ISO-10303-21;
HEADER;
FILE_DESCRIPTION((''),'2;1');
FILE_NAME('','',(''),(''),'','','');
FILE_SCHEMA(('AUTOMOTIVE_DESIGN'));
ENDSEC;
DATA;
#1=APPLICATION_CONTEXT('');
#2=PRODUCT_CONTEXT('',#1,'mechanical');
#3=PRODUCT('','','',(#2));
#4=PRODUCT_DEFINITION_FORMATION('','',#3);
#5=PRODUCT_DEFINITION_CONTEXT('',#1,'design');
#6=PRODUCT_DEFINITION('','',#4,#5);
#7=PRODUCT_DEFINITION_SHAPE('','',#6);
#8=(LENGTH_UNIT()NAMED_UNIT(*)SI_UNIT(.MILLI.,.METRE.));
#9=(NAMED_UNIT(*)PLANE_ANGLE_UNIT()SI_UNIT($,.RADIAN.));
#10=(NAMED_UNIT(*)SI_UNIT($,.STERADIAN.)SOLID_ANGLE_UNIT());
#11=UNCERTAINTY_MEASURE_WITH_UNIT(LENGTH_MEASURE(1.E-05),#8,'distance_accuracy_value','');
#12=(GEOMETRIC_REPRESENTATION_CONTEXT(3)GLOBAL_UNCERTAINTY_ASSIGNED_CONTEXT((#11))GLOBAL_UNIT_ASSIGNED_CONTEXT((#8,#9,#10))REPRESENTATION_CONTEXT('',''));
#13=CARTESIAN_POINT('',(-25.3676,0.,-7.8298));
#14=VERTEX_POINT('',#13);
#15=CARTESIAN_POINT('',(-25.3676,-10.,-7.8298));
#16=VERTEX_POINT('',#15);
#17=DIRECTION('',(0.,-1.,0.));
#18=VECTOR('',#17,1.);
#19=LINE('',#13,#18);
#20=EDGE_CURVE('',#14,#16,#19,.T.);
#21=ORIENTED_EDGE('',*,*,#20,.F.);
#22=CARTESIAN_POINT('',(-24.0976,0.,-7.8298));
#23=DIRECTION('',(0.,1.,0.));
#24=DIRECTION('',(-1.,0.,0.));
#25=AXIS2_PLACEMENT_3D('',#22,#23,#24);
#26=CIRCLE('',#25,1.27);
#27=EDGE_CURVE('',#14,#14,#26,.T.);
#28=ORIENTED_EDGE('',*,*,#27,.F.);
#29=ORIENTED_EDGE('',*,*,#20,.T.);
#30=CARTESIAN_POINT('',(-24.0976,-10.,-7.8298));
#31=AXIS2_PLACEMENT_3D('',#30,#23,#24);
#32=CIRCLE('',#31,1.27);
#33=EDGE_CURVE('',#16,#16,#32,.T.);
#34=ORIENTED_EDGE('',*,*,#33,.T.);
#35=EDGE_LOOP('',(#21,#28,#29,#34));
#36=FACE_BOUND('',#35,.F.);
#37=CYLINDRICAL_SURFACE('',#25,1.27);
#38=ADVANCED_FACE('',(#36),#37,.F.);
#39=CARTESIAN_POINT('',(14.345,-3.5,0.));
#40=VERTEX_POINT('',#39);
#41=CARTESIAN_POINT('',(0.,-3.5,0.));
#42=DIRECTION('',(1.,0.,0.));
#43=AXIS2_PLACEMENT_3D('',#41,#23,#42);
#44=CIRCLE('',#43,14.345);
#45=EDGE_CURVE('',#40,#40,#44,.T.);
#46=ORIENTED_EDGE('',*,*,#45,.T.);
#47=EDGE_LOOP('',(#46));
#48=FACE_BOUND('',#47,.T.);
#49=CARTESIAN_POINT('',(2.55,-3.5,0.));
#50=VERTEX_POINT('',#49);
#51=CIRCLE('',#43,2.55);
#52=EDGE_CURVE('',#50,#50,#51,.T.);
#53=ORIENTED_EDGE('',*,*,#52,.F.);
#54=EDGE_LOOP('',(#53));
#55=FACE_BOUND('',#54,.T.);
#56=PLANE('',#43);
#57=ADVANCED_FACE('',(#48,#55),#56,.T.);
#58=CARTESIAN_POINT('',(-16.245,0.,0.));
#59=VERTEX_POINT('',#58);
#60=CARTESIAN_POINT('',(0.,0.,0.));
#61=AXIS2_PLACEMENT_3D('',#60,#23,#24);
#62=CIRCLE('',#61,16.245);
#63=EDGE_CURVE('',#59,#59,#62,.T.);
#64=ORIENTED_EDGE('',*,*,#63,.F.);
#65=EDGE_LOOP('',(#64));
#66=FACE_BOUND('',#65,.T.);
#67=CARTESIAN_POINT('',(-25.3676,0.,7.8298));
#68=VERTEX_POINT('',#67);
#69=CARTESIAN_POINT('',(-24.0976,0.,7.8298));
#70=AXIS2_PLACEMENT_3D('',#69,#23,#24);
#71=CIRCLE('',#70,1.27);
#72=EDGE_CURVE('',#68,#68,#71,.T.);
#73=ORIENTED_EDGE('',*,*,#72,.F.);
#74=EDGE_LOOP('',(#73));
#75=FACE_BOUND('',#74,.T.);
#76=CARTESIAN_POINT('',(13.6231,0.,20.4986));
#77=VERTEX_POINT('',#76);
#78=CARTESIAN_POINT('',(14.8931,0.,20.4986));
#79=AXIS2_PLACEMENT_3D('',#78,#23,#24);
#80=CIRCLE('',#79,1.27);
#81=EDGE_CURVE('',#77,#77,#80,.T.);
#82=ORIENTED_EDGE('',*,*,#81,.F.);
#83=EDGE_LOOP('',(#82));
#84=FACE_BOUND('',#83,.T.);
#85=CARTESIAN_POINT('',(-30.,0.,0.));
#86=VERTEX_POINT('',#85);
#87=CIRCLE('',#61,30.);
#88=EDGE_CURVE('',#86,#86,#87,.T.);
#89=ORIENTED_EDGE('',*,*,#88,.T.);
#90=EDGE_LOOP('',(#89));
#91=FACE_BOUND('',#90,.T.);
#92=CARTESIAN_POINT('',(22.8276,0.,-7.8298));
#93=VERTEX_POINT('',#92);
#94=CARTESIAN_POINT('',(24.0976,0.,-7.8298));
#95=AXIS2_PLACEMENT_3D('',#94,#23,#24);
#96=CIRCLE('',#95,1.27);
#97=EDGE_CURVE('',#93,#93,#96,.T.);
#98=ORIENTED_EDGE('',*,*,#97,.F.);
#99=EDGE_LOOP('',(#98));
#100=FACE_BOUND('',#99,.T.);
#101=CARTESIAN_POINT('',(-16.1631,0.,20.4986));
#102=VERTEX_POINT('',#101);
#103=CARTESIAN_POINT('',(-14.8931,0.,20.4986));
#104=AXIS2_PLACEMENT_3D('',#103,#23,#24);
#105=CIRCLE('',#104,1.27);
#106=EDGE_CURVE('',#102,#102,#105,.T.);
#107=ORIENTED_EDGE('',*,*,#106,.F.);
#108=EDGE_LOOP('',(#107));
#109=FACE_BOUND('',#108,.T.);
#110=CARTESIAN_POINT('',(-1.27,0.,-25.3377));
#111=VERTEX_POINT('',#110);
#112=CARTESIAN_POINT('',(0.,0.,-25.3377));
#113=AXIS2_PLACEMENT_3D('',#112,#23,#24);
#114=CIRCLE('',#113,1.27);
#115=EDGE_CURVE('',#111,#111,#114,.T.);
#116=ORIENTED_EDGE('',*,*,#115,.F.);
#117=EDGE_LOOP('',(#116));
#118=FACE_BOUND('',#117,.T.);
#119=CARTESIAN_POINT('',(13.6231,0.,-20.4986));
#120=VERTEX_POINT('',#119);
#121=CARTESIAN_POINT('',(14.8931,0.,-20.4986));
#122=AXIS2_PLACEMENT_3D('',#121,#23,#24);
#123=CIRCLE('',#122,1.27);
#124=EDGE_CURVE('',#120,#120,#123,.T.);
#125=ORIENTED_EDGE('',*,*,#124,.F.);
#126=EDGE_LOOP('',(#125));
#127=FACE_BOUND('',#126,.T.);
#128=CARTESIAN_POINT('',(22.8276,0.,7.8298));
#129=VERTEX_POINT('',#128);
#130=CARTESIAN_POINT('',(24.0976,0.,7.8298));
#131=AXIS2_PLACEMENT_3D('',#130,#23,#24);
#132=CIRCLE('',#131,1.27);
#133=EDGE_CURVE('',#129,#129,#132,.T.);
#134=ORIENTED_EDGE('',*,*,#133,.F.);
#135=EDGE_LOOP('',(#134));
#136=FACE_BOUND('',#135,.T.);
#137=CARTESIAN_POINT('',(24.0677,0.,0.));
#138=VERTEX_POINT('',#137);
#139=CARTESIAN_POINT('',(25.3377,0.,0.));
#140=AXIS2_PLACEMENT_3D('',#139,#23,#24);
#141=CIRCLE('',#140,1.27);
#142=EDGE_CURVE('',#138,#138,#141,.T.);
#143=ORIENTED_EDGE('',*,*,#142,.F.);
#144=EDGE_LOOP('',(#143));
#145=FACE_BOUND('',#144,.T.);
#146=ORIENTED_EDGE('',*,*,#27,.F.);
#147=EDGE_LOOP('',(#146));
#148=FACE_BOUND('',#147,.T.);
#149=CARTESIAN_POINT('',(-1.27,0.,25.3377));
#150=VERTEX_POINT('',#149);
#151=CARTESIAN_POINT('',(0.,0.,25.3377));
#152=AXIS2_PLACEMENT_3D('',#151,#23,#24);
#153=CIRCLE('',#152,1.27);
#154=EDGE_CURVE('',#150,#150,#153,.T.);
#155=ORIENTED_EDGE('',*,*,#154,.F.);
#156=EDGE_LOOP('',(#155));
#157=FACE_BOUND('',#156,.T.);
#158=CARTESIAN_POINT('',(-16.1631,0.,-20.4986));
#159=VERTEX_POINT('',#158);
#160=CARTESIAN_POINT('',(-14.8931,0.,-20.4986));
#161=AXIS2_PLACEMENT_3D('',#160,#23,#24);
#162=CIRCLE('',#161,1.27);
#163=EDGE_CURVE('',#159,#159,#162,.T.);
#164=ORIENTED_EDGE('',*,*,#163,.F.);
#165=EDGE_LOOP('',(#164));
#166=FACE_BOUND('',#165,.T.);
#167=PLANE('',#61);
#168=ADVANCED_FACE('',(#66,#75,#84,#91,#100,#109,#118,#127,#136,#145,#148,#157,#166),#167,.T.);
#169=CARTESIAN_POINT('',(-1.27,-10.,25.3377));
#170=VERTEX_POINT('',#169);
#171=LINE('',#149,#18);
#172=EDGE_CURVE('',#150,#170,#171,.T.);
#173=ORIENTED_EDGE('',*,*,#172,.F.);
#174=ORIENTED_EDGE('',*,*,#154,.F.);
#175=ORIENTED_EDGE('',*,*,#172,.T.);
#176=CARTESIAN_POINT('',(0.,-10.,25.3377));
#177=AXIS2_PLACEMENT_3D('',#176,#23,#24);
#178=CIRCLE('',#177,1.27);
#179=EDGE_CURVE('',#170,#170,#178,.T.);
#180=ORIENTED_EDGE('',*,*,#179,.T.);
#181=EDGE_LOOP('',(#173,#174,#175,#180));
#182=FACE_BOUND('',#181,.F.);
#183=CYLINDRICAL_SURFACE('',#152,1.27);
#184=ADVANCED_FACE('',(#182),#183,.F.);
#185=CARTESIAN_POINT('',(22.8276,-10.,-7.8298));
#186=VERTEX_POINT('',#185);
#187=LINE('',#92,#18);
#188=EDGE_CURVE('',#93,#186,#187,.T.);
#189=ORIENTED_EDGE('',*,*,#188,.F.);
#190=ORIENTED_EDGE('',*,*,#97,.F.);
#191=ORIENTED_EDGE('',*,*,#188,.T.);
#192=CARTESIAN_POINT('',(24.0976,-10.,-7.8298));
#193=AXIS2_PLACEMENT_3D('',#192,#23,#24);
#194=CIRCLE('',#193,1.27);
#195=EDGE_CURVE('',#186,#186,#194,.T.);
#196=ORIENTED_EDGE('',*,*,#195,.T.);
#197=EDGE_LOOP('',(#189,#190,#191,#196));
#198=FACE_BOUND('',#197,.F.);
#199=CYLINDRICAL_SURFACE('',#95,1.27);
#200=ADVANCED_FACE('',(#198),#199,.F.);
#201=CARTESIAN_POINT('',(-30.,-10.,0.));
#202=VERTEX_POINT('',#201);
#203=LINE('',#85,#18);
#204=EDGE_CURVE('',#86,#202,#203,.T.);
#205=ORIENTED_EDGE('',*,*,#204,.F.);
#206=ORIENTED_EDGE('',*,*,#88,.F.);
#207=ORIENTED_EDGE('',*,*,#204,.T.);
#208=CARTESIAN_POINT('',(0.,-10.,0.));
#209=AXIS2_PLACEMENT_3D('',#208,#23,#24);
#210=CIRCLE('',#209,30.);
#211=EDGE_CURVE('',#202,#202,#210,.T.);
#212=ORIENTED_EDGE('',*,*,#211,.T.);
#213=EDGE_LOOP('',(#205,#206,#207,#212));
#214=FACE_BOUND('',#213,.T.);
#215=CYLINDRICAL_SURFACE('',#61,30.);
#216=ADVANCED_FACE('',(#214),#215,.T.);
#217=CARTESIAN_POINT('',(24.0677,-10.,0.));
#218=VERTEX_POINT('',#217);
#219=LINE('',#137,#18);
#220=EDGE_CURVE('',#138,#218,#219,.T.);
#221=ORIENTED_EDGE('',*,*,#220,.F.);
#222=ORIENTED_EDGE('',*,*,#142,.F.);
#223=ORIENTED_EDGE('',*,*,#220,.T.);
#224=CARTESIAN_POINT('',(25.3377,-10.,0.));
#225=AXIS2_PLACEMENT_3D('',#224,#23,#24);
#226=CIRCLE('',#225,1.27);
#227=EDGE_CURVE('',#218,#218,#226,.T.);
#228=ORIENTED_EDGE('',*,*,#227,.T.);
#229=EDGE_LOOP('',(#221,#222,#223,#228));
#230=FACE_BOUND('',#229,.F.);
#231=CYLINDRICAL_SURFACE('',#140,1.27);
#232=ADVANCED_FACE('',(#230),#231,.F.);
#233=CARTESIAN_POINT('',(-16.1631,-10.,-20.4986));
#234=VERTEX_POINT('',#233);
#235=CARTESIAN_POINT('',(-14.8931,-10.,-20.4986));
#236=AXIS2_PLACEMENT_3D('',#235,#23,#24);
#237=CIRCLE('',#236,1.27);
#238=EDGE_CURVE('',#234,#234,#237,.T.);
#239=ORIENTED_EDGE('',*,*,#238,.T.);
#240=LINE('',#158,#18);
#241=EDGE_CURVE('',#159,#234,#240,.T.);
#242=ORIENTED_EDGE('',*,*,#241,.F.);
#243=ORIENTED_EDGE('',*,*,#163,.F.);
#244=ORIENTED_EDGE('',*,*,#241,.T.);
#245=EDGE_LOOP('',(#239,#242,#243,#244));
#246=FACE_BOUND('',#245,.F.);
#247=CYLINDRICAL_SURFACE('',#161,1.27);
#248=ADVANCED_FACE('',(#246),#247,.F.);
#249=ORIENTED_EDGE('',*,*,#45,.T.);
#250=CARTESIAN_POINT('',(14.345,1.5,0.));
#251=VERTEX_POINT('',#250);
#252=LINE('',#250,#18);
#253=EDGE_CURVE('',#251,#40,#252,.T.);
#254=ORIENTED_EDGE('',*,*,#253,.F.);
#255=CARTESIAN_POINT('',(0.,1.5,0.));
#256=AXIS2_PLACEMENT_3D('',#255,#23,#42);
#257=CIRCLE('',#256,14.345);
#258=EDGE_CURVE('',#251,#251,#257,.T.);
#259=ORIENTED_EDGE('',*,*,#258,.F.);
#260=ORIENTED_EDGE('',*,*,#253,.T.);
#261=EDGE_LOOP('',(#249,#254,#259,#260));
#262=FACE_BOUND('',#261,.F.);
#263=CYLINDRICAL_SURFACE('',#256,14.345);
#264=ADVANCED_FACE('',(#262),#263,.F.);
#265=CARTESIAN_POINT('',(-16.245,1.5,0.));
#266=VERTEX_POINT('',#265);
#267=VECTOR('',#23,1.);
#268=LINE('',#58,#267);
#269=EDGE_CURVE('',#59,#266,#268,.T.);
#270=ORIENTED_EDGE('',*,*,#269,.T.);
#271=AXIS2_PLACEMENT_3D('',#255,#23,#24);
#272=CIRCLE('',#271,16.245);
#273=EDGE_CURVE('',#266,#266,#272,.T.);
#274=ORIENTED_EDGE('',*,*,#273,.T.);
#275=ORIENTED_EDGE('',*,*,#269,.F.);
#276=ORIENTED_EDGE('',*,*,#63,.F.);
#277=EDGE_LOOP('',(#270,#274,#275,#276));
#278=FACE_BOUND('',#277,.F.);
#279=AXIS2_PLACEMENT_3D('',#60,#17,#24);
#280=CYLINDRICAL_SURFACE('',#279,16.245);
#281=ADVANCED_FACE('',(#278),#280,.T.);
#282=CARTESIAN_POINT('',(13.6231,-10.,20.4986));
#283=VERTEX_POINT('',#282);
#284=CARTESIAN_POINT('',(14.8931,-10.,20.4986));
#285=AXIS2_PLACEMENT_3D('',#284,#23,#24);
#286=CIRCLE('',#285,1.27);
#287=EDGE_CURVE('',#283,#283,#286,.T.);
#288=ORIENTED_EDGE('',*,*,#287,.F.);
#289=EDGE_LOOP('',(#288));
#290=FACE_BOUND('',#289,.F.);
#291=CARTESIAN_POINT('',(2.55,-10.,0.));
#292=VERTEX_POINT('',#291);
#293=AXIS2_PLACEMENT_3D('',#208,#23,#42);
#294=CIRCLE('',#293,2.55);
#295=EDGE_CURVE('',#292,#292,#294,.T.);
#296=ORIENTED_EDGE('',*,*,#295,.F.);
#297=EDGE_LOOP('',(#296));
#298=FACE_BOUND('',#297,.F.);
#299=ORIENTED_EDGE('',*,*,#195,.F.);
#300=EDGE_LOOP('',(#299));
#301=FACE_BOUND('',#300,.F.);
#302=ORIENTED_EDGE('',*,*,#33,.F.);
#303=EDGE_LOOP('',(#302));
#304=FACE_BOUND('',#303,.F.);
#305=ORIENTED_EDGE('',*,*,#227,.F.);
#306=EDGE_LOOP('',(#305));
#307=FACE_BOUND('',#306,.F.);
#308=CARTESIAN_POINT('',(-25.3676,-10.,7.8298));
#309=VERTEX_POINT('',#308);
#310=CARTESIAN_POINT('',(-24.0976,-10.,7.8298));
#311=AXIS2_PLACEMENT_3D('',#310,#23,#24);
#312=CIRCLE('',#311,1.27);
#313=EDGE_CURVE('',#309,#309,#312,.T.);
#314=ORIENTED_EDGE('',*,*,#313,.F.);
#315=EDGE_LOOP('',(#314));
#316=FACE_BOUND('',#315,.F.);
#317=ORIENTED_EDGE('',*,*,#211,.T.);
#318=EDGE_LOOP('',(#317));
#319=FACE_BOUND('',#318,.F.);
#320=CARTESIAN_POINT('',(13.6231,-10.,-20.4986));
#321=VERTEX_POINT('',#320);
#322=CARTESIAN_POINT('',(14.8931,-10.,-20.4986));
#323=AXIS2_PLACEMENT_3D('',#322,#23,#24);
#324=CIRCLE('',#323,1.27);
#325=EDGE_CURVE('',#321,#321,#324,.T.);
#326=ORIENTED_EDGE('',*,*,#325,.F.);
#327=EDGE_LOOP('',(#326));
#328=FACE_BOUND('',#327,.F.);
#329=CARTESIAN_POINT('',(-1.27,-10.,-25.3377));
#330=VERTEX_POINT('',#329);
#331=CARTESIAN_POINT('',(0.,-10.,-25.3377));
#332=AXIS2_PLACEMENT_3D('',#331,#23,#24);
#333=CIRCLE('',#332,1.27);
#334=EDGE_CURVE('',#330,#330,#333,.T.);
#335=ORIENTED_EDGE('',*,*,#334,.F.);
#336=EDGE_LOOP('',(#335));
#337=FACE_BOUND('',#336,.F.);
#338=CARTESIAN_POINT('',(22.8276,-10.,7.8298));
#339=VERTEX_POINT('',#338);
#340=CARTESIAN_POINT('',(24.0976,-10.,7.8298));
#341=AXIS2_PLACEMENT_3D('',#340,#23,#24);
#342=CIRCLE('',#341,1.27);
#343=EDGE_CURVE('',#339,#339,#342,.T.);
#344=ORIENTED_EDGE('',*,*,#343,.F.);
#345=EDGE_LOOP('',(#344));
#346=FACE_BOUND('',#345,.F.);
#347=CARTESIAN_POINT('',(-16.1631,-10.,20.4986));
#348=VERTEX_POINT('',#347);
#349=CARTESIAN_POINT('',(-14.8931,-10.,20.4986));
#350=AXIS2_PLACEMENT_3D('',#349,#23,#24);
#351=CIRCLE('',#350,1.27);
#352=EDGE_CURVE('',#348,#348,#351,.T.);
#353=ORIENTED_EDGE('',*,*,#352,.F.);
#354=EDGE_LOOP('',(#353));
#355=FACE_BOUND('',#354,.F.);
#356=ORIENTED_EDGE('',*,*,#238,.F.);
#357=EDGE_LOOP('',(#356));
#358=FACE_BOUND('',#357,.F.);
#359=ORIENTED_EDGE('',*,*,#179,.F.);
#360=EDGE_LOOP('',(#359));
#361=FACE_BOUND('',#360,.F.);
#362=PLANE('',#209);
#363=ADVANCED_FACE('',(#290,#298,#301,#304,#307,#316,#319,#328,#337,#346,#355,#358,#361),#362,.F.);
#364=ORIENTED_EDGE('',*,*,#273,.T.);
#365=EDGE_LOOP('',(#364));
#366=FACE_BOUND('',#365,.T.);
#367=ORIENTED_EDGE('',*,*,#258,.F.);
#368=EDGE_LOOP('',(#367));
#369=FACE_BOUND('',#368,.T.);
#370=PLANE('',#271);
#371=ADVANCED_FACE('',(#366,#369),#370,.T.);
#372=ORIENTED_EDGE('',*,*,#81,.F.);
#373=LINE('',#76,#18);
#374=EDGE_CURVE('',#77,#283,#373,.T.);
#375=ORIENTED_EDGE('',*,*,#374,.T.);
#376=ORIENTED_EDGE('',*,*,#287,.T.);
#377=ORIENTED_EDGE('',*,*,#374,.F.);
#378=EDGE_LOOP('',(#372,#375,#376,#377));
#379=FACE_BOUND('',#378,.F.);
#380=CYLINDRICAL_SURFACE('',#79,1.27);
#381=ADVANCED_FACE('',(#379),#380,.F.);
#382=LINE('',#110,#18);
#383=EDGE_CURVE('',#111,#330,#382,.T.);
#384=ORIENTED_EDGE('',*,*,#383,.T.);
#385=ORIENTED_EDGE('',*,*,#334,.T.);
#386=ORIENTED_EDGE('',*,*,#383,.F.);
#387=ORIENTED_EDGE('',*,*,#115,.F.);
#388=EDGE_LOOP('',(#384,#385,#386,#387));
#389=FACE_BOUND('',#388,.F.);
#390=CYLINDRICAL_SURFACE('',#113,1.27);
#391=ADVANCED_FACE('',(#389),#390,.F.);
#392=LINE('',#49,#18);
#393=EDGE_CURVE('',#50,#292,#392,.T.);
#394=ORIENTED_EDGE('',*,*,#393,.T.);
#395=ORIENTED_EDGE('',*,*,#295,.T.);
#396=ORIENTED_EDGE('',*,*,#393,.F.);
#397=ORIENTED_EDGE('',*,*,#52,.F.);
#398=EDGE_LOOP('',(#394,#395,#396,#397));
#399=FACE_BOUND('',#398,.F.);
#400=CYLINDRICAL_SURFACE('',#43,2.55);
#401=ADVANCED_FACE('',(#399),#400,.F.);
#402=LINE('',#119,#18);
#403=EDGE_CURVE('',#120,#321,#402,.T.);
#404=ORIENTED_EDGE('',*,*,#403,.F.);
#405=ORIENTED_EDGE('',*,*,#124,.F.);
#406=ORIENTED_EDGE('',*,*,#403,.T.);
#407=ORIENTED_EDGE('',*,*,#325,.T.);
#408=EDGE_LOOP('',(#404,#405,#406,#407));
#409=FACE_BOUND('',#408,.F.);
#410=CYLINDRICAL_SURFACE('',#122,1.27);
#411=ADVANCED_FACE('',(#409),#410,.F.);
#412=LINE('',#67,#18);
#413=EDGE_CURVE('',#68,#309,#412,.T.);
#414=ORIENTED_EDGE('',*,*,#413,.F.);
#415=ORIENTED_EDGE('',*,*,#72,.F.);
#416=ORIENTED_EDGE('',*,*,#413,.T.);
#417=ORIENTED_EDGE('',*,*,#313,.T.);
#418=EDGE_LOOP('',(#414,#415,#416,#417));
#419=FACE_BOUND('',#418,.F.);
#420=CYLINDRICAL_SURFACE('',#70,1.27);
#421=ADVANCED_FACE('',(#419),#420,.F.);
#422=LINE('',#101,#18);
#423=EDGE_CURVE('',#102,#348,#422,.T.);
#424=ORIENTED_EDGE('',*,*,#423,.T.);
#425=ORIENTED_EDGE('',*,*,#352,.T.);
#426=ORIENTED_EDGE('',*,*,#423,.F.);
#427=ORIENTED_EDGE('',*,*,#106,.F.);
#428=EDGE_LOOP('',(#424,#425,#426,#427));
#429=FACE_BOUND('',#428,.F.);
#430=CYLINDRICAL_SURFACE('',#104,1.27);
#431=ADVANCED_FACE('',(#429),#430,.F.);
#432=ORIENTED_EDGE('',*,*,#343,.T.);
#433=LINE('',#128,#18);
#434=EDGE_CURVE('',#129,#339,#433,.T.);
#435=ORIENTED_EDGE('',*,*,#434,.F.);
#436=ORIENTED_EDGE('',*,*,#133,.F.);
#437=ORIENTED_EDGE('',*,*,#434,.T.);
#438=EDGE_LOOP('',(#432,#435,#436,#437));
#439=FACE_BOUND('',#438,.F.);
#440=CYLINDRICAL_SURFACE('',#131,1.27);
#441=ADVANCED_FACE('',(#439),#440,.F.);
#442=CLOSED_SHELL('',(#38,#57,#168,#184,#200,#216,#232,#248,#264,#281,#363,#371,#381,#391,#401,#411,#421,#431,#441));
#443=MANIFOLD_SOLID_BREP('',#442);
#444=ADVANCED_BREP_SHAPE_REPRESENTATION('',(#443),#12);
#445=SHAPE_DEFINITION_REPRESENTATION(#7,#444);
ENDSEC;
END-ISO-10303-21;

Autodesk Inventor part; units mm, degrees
ref_plane "YZ Plane" through (0, 0, 0) normal (1, 0, 0) x (0, 1, 0)
ref_plane "XZ Plane" through (0, 0, 0) normal (0, 1, 0) x (-1, 0, 0)
ref_plane "XY Plane" through (0, 0, 0) normal (0, 0, 1) x (1, 0, 0)
sketch "Sketch3" plane through (0, 0, 0) normal (0, 1, 0) x (-1, 0, 0)
  circle A0 centre (0, 0) radius 16.245
  circle A1 centre (0, -25.3377) radius 1.27
  circle A2 centre (-24.0976, -7.8298) radius 1.27
  circle A3 centre (-14.8931, 20.4986) radius 1.27
  circle A4 centre (24.0976, -7.8298) radius 1.27
  circle A5 centre (24.0976, 7.8298) radius 1.27
  circle A6 centre (-24.0976, 7.8298) radius 1.27
  circle A7 centre (-14.8931, -20.4986) radius 1.27
  circle A8 centre (0, 25.3377) radius 1.27
  circle A9 centre (14.8931, -20.4986) radius 1.27
  circle A10 centre (14.8931, 20.4986) radius 1.27
  circle A11 centre (-25.3377, 0) radius 1.27
  circle A12 centre (0, 0) radius 30
  circle A13 centre (0, 0) radius 16.245
  circle A14 centre (0, 0) radius 14.245
extrude "Extrusion4" add sketch "Sketch3" against normal blind 10 contours A0 | A12 | A14
extrude "Extrusion5" add sketch "Sketch3" along normal blind 1.5 contours A0
sketch "Sketch4" plane through (0, 1.5, 0) normal (0, 1, 0) x (1, 0, 0)
  circle A0 centre (0, 0) radius 14.245 projected
  circle A1 centre (0, 0) radius 14.345
  dimension "d16" = 0.1
extrude "Extrusion7" cut sketch "Sketch4" against normal blind 5 contours A0 | A1
sketch "Sketch5" plane through (0, -3.5, 0) normal (0, 1, 0) x (1, 0, 0)
  circle A0 centre (0, 0) radius 2.55
  dimension "d19" = 5.1
extrude "Extrusion8" cut sketch "Sketch5" against normal up to surface (6.5 mm away)
properties part number "top"
